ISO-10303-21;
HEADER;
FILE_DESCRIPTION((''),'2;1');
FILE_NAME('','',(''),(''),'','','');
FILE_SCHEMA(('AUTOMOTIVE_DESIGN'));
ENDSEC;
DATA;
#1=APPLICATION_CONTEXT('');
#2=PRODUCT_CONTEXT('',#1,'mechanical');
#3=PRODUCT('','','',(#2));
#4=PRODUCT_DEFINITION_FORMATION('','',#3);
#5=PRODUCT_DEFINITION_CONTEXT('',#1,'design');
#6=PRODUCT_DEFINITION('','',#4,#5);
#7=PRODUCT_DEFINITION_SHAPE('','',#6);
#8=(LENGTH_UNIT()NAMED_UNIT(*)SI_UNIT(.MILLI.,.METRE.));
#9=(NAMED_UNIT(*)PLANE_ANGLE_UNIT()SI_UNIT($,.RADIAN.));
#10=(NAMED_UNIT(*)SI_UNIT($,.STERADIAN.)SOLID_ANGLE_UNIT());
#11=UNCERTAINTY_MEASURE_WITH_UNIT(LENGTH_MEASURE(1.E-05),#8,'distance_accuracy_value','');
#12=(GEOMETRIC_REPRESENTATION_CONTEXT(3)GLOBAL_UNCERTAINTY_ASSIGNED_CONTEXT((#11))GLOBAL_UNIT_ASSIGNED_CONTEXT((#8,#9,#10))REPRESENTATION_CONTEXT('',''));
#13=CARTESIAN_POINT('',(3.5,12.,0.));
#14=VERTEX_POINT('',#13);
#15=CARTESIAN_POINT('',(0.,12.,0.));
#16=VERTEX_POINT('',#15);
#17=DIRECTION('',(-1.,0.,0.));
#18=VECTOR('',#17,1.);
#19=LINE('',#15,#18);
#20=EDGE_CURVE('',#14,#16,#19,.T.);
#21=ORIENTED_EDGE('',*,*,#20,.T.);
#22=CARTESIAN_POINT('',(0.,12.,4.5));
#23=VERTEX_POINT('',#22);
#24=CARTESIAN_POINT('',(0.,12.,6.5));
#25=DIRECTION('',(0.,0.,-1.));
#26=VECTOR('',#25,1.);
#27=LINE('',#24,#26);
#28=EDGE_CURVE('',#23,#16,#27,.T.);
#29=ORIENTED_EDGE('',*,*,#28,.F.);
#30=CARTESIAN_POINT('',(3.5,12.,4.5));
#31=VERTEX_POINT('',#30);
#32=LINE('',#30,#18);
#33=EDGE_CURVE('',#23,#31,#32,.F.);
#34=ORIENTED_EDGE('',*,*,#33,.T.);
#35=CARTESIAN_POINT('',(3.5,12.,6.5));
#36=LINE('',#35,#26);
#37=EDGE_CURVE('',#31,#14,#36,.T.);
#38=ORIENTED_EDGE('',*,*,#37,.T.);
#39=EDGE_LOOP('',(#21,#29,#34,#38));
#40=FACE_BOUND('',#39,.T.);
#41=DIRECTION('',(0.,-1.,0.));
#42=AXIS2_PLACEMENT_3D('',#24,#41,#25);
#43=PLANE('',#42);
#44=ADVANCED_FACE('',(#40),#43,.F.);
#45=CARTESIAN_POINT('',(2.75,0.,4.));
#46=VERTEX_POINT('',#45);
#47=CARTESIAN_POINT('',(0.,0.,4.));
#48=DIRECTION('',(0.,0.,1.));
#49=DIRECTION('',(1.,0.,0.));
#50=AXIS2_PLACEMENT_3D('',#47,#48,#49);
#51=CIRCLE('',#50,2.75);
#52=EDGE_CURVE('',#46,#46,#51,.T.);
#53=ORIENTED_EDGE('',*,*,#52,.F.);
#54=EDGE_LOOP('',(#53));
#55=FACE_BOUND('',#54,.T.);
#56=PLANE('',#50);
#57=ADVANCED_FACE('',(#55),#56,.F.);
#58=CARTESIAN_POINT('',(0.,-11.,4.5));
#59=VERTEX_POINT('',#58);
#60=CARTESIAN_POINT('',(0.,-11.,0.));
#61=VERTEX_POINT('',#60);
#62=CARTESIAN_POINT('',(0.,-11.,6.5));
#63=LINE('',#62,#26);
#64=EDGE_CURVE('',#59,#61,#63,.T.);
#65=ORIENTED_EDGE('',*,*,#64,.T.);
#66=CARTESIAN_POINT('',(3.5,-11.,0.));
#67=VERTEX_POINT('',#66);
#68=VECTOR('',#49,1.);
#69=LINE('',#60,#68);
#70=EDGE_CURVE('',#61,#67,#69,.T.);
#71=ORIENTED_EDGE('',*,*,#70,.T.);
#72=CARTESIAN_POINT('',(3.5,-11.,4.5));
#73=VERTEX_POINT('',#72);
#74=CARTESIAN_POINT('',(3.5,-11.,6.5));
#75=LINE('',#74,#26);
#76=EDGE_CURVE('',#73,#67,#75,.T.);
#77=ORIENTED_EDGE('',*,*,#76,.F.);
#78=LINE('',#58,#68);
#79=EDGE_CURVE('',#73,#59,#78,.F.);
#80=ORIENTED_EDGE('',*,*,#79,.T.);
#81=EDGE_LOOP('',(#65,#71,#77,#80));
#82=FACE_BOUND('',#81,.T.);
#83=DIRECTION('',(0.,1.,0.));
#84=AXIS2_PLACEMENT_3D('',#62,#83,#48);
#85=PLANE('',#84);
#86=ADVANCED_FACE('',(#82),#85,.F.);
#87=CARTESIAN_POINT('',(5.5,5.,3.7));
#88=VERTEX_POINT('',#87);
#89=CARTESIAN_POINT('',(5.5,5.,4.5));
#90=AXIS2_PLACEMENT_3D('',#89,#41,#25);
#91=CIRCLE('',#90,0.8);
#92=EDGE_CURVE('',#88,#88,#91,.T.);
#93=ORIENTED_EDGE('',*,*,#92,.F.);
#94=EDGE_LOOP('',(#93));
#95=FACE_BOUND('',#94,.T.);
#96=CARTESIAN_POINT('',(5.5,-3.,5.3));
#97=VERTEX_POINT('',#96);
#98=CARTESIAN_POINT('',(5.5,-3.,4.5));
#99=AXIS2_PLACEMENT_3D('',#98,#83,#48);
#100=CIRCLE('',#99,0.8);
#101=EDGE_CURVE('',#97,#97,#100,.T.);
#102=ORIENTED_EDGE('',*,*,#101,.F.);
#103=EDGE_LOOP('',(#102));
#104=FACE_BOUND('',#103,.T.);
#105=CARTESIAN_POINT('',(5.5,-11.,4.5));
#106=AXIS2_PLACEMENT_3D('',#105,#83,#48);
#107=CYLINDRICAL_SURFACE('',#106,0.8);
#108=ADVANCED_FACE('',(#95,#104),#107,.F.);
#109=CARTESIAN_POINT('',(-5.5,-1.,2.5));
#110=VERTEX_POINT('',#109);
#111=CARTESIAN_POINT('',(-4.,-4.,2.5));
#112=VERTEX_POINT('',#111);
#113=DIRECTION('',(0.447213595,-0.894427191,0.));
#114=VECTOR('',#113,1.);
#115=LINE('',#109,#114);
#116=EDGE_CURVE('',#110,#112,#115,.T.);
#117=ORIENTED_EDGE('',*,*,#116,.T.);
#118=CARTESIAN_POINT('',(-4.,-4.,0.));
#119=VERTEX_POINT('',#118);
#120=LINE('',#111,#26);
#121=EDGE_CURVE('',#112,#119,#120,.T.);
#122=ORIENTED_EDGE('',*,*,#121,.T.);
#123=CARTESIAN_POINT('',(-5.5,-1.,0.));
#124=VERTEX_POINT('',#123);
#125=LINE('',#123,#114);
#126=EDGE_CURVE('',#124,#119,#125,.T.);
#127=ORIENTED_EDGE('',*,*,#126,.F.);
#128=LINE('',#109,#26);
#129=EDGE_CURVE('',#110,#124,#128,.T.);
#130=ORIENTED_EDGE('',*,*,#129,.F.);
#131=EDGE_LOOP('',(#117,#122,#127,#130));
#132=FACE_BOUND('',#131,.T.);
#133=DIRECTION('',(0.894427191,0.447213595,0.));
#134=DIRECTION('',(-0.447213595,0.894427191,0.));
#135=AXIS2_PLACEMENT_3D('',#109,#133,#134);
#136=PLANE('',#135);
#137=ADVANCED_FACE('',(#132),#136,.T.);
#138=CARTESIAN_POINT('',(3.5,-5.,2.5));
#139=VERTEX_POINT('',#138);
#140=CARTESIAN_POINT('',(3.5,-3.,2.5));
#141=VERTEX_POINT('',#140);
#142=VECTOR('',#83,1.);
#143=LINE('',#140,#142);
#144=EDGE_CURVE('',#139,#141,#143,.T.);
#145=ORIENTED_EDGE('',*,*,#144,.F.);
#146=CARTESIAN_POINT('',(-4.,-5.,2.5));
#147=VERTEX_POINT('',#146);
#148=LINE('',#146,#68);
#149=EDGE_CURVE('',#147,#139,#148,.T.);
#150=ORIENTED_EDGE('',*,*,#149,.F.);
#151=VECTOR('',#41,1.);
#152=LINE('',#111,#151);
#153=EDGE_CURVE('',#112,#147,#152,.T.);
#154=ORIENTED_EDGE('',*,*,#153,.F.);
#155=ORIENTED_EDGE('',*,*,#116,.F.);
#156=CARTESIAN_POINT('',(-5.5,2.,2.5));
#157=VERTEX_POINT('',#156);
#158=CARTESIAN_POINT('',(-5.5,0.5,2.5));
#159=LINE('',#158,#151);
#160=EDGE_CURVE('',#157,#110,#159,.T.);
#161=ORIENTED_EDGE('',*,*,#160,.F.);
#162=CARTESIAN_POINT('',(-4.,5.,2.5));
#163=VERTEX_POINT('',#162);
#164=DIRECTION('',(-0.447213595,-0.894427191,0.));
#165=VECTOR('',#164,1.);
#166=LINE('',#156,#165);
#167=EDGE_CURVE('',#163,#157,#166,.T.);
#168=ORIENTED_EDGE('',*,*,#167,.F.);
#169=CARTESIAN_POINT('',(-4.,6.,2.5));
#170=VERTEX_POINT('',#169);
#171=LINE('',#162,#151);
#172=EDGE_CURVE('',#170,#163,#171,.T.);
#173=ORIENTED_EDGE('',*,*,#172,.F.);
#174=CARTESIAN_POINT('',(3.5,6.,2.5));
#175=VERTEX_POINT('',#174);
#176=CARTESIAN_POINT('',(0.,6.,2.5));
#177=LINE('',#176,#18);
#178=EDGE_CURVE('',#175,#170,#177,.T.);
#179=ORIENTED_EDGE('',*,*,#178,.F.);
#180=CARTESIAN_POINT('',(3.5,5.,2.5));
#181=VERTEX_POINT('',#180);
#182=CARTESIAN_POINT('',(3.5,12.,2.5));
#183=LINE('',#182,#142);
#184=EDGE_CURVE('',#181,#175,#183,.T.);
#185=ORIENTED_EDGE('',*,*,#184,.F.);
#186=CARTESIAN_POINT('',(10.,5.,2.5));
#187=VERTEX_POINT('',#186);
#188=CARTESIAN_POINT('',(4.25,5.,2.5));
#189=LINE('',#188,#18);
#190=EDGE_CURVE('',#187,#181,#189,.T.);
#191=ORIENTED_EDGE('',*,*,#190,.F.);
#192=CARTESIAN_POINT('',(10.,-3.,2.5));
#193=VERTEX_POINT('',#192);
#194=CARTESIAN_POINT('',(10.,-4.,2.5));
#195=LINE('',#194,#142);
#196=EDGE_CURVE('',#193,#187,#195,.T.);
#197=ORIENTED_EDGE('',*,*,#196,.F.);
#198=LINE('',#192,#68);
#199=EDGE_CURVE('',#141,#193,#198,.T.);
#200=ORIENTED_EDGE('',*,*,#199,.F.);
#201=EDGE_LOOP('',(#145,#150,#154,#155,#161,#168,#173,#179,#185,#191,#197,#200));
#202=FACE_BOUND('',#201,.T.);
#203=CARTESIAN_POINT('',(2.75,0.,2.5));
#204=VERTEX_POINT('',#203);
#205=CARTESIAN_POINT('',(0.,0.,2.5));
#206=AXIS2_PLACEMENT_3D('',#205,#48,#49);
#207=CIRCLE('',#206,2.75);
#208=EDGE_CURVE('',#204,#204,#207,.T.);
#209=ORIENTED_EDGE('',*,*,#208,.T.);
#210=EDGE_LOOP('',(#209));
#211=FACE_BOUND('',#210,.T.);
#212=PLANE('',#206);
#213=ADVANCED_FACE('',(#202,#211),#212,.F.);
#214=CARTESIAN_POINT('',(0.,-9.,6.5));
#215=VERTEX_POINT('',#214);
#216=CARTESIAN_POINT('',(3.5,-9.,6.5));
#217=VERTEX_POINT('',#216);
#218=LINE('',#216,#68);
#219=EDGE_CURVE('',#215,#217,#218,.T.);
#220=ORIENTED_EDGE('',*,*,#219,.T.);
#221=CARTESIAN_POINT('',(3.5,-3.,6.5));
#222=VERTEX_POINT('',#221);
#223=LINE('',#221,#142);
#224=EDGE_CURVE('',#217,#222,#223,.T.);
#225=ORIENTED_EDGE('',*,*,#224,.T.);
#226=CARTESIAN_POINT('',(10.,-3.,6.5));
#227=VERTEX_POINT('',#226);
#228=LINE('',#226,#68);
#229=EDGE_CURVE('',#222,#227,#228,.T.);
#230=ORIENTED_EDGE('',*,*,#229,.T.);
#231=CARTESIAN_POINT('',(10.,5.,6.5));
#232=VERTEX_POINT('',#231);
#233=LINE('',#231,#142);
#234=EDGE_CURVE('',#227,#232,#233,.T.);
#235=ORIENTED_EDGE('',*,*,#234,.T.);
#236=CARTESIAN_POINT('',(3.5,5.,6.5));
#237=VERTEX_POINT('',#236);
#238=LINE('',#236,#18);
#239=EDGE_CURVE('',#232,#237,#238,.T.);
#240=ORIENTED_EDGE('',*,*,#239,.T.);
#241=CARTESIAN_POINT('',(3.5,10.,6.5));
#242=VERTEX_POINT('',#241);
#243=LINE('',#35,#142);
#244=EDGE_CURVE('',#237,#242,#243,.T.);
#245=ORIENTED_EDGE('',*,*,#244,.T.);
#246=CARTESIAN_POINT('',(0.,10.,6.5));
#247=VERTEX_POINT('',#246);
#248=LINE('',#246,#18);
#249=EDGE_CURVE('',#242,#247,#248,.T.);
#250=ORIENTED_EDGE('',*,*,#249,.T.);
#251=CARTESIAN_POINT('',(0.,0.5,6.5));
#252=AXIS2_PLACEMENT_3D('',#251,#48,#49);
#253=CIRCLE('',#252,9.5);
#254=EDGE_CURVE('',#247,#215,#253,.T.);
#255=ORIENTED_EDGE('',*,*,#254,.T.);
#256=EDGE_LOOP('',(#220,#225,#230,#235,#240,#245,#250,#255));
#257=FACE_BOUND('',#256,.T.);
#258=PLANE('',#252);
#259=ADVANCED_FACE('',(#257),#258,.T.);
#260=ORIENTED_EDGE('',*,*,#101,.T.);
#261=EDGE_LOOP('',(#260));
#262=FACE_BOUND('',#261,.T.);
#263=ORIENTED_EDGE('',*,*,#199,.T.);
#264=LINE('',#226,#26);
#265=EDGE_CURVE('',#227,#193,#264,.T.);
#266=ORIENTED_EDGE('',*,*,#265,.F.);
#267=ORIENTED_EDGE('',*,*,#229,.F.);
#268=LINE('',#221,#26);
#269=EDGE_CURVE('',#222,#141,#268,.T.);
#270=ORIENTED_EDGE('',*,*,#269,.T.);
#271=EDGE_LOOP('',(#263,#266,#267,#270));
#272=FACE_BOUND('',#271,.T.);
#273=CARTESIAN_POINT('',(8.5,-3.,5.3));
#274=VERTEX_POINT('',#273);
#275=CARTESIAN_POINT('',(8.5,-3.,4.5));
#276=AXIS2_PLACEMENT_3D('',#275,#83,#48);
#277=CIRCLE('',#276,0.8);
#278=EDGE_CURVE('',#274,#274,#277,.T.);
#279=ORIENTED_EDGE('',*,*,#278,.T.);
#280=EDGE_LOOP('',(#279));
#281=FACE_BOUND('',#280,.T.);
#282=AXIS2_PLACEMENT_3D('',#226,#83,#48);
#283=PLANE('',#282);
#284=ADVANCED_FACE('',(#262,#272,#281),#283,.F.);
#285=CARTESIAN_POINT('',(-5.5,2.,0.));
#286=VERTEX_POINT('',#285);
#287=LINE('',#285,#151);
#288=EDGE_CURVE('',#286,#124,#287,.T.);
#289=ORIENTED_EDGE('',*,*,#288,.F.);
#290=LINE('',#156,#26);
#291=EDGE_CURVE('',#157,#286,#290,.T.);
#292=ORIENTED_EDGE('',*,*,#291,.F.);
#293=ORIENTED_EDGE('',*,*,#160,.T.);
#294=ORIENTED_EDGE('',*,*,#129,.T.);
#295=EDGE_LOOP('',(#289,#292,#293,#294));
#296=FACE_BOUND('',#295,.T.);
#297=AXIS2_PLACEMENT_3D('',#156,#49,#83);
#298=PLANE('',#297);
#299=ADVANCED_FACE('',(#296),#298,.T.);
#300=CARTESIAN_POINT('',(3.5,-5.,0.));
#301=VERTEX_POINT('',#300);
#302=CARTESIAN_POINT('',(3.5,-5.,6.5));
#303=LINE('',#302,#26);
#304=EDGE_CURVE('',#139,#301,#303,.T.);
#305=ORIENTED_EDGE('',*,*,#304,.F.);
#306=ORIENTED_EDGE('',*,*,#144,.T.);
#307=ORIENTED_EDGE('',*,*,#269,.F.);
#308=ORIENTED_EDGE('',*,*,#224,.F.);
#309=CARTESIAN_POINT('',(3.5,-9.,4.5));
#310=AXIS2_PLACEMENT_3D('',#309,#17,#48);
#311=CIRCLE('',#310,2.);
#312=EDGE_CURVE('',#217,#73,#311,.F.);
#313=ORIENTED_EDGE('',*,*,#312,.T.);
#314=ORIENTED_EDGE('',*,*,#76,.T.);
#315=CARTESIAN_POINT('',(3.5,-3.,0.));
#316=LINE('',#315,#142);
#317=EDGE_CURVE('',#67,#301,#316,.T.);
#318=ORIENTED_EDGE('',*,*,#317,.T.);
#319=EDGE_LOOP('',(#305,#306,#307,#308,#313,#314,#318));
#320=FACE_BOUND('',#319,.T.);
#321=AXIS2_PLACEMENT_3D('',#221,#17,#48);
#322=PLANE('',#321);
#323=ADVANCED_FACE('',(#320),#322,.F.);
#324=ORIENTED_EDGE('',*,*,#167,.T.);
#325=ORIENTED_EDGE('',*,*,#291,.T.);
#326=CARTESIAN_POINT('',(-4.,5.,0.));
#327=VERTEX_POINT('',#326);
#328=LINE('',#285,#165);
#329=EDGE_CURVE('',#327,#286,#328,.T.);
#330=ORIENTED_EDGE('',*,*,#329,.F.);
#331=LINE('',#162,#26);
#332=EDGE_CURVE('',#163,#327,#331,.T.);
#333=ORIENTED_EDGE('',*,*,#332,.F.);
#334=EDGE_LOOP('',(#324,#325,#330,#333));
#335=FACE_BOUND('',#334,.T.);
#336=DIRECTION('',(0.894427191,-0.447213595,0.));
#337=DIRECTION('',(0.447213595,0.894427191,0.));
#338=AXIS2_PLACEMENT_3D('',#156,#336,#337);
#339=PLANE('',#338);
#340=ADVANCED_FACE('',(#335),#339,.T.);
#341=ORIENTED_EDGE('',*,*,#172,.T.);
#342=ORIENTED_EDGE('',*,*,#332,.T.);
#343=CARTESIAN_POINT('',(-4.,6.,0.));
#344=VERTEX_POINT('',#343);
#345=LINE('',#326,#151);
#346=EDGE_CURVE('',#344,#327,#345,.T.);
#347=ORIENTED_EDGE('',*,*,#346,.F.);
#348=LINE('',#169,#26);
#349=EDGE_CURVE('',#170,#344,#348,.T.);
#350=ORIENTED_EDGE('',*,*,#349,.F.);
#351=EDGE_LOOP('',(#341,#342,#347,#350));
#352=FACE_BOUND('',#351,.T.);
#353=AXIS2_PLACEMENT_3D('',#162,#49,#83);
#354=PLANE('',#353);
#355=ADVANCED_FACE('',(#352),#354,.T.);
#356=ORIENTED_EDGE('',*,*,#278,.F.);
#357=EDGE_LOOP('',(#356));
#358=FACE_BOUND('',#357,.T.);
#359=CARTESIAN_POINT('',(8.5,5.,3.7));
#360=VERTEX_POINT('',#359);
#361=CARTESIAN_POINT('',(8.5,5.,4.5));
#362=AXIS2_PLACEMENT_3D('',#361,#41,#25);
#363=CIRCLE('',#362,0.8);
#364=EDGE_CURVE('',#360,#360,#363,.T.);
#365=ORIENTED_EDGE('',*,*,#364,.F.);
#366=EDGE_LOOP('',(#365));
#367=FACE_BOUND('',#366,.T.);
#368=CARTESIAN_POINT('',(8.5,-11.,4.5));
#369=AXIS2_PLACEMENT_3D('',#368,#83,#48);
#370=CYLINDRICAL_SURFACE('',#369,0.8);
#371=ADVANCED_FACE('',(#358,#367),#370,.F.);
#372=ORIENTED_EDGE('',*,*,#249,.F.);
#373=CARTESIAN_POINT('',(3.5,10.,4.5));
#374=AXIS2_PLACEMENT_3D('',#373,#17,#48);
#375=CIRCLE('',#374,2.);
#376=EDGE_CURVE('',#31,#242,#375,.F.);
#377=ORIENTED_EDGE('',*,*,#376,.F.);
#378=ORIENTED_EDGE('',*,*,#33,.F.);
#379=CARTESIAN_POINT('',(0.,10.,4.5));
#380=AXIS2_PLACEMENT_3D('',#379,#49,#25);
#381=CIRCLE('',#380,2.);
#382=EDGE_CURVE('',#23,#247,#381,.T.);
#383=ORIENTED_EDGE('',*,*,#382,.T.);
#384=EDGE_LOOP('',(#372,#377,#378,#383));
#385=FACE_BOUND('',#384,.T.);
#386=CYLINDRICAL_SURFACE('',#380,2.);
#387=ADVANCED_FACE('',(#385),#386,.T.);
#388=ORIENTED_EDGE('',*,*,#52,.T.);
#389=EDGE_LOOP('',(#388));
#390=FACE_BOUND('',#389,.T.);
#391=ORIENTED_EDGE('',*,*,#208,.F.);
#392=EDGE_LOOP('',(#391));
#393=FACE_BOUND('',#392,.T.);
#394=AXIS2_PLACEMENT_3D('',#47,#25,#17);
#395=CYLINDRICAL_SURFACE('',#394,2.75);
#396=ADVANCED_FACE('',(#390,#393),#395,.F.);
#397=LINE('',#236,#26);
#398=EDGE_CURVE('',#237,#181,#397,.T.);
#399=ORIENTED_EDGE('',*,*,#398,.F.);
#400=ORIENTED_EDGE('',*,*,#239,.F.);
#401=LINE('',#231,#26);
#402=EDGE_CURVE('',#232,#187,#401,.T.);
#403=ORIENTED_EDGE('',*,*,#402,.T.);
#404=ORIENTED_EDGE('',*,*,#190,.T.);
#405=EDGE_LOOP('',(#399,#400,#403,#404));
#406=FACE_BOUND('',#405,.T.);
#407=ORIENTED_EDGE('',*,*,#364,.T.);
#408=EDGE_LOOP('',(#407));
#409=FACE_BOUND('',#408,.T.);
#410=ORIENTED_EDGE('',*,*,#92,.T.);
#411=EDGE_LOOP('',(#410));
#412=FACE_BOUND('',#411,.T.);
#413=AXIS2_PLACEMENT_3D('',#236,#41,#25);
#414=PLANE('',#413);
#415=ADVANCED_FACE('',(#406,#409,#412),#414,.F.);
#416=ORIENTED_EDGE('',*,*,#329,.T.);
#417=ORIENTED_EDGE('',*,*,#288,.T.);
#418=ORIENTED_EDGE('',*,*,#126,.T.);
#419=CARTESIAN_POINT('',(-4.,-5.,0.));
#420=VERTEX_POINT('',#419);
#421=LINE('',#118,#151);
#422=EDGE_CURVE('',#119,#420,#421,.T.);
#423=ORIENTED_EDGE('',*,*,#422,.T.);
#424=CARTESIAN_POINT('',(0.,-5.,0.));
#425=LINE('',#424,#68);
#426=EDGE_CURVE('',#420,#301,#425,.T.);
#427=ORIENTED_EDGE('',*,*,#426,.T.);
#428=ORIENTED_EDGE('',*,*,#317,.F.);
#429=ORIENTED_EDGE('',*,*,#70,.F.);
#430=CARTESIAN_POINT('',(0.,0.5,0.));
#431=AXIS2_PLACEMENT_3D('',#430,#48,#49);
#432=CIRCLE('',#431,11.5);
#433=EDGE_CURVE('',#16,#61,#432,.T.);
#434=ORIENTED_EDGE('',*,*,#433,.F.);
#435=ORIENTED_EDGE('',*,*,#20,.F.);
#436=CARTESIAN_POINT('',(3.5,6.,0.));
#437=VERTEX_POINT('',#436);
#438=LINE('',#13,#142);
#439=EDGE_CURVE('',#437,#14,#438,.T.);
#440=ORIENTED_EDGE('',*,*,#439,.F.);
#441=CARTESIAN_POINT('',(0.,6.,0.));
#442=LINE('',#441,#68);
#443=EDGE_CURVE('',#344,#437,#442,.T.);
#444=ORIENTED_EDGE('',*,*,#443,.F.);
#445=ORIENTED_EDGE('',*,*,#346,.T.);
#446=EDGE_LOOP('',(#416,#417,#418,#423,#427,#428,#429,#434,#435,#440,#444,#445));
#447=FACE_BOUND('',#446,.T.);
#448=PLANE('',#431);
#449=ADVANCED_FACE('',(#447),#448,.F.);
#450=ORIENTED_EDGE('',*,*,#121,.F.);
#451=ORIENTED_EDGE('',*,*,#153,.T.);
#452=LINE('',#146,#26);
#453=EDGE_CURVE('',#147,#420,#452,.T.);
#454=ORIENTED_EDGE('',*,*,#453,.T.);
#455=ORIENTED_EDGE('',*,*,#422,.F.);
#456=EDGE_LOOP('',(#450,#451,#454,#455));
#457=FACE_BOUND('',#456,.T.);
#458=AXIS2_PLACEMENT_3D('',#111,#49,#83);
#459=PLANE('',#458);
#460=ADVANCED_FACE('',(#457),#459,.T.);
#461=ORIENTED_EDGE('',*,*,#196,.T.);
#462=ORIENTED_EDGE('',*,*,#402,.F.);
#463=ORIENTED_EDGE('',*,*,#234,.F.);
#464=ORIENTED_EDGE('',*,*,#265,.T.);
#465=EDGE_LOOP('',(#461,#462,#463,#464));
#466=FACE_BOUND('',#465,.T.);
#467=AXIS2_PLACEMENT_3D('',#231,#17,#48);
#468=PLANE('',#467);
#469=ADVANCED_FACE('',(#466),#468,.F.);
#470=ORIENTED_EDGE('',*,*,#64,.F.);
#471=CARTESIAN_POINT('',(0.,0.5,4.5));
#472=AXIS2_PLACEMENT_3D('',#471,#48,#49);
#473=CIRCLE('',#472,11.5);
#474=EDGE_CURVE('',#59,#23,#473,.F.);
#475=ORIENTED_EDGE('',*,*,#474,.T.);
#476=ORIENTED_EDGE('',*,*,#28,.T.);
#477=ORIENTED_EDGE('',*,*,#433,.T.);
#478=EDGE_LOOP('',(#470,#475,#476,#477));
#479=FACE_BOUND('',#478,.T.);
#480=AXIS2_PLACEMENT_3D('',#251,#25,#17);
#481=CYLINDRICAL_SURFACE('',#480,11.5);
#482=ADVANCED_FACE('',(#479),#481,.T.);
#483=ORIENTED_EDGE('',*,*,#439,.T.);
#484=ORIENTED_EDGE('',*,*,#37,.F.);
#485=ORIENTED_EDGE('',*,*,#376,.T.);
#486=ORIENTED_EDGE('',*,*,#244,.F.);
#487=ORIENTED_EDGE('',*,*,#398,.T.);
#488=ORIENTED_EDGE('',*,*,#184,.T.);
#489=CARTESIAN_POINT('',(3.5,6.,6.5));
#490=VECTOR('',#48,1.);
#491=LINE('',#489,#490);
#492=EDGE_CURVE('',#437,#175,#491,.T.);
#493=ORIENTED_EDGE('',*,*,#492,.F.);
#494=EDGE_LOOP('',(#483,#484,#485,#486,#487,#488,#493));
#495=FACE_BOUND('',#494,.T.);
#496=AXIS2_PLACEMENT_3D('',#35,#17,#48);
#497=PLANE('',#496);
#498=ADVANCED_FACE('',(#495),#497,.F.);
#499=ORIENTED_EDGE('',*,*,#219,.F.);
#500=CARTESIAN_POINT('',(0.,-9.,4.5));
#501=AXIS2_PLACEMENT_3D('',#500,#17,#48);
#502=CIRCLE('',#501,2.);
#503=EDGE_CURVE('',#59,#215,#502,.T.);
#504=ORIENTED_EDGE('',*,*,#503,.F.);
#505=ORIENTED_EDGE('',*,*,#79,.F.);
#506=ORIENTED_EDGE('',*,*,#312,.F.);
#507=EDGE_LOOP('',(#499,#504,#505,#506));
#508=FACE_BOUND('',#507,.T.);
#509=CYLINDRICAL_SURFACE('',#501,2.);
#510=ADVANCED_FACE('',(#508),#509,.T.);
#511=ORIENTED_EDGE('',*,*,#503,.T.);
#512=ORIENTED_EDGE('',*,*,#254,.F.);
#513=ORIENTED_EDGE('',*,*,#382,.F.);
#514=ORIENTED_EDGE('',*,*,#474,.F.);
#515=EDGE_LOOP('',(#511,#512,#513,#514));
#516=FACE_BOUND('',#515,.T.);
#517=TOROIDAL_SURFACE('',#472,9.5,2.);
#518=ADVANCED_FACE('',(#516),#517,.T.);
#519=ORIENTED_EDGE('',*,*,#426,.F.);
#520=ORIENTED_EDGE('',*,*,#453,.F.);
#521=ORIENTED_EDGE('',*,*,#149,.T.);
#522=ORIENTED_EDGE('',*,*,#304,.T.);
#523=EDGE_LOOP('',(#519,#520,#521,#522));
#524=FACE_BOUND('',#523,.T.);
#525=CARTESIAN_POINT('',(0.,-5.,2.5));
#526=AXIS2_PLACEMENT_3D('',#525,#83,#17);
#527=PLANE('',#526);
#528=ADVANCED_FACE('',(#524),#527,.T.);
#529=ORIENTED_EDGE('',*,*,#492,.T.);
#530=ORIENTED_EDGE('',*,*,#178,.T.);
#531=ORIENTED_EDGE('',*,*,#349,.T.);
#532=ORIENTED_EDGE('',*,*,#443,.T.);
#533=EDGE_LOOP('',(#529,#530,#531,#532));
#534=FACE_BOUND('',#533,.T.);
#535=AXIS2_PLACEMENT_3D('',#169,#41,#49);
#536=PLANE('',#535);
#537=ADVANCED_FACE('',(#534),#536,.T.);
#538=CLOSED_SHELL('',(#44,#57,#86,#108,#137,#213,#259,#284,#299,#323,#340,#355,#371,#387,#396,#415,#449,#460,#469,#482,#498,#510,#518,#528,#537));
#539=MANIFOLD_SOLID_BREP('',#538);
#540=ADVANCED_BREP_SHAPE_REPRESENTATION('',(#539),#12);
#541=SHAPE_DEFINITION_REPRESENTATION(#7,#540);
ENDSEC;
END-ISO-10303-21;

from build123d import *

# Parameters (mm, degrees)
BOSS_EXTRUDE1_DEPTH = 6.5
CUT_EXTRUDE1_START  = 11
SKETCH2_R           = 0.8
CUT_EXTRUDE1_DEPTH  = 23
FILLET1_R           = 2
POT_INSERT_DEPTH    = 2.5
POT_START           = 2.5
SKETCH6_R           = 2.75
POT_HOLE_DEPTH      = 1.5


with BuildPart() as part:
    # Sketch1 → Boss-Extrude1 (new body)
    with BuildSketch(Plane.XY):
        with BuildLine():
            Line((3.5, 12), (3.5, 5))
            Line((3.5, 5), (10, 5))
            Line((10, 5), (10, -3))
            Line((10, -3), (3.5, -3))
            Line((3.5, -3), (3.5, -11))
            Line((3.5, -11), (0, -11))
            ThreePointArc((0, -11), (-11.5, 0.5), (0, 12))
            Line((0, 12), (3.5, 12))
        make_face()
    extrude(amount=BOSS_EXTRUDE1_DEPTH)

    # Sketch2 → Cut-Extrude1 (cut, through all)
    with BuildSketch(Plane(origin=(0, 0, 0), x_dir=(1, 0, 0), z_dir=(0, 1, 0)).offset(CUT_EXTRUDE1_START)):
        with Locations((8.5, -4.5)):
            Circle(SKETCH2_R)
        with Locations((5.5, -4.5)):
            Circle(SKETCH2_R)
    extrude(amount=-CUT_EXTRUDE1_DEPTH, mode=Mode.SUBTRACT)

    # Fillet1
    fillet1_edges = [part.edges().sort_by_distance(p)[0] for p in [
        (1.75, 12, 6.5),
        (-11.5, 0.5, 6.5),
        (1.75, -11, 6.5),
    ]]
    fillet(fillet1_edges, radius=FILLET1_R)

    # Sketch5 → Pot Insert (cut)
    with BuildSketch(Plane.XY):
        Polygon((-5.5, -1), (-4, -4), (-4, -5), (0, -5), (4.25, -5), (4.25, -4), (10, -4), (10, 0.5), (10, 5), (4.25, 5), (4.25, 6), (0, 6), (-4, 6), (-4, 5), (-5.5, 2), (-5.5, 0.5), align=None)
    extrude(amount=POT_INSERT_DEPTH, mode=Mode.SUBTRACT)

    # Sketch6 → Pot Hole (cut)
    with BuildSketch(Plane.XY.offset(POT_START)):
        Circle(SKETCH6_R)
    extrude(amount=POT_HOLE_DEPTH, mode=Mode.SUBTRACT)


solid = part.part
